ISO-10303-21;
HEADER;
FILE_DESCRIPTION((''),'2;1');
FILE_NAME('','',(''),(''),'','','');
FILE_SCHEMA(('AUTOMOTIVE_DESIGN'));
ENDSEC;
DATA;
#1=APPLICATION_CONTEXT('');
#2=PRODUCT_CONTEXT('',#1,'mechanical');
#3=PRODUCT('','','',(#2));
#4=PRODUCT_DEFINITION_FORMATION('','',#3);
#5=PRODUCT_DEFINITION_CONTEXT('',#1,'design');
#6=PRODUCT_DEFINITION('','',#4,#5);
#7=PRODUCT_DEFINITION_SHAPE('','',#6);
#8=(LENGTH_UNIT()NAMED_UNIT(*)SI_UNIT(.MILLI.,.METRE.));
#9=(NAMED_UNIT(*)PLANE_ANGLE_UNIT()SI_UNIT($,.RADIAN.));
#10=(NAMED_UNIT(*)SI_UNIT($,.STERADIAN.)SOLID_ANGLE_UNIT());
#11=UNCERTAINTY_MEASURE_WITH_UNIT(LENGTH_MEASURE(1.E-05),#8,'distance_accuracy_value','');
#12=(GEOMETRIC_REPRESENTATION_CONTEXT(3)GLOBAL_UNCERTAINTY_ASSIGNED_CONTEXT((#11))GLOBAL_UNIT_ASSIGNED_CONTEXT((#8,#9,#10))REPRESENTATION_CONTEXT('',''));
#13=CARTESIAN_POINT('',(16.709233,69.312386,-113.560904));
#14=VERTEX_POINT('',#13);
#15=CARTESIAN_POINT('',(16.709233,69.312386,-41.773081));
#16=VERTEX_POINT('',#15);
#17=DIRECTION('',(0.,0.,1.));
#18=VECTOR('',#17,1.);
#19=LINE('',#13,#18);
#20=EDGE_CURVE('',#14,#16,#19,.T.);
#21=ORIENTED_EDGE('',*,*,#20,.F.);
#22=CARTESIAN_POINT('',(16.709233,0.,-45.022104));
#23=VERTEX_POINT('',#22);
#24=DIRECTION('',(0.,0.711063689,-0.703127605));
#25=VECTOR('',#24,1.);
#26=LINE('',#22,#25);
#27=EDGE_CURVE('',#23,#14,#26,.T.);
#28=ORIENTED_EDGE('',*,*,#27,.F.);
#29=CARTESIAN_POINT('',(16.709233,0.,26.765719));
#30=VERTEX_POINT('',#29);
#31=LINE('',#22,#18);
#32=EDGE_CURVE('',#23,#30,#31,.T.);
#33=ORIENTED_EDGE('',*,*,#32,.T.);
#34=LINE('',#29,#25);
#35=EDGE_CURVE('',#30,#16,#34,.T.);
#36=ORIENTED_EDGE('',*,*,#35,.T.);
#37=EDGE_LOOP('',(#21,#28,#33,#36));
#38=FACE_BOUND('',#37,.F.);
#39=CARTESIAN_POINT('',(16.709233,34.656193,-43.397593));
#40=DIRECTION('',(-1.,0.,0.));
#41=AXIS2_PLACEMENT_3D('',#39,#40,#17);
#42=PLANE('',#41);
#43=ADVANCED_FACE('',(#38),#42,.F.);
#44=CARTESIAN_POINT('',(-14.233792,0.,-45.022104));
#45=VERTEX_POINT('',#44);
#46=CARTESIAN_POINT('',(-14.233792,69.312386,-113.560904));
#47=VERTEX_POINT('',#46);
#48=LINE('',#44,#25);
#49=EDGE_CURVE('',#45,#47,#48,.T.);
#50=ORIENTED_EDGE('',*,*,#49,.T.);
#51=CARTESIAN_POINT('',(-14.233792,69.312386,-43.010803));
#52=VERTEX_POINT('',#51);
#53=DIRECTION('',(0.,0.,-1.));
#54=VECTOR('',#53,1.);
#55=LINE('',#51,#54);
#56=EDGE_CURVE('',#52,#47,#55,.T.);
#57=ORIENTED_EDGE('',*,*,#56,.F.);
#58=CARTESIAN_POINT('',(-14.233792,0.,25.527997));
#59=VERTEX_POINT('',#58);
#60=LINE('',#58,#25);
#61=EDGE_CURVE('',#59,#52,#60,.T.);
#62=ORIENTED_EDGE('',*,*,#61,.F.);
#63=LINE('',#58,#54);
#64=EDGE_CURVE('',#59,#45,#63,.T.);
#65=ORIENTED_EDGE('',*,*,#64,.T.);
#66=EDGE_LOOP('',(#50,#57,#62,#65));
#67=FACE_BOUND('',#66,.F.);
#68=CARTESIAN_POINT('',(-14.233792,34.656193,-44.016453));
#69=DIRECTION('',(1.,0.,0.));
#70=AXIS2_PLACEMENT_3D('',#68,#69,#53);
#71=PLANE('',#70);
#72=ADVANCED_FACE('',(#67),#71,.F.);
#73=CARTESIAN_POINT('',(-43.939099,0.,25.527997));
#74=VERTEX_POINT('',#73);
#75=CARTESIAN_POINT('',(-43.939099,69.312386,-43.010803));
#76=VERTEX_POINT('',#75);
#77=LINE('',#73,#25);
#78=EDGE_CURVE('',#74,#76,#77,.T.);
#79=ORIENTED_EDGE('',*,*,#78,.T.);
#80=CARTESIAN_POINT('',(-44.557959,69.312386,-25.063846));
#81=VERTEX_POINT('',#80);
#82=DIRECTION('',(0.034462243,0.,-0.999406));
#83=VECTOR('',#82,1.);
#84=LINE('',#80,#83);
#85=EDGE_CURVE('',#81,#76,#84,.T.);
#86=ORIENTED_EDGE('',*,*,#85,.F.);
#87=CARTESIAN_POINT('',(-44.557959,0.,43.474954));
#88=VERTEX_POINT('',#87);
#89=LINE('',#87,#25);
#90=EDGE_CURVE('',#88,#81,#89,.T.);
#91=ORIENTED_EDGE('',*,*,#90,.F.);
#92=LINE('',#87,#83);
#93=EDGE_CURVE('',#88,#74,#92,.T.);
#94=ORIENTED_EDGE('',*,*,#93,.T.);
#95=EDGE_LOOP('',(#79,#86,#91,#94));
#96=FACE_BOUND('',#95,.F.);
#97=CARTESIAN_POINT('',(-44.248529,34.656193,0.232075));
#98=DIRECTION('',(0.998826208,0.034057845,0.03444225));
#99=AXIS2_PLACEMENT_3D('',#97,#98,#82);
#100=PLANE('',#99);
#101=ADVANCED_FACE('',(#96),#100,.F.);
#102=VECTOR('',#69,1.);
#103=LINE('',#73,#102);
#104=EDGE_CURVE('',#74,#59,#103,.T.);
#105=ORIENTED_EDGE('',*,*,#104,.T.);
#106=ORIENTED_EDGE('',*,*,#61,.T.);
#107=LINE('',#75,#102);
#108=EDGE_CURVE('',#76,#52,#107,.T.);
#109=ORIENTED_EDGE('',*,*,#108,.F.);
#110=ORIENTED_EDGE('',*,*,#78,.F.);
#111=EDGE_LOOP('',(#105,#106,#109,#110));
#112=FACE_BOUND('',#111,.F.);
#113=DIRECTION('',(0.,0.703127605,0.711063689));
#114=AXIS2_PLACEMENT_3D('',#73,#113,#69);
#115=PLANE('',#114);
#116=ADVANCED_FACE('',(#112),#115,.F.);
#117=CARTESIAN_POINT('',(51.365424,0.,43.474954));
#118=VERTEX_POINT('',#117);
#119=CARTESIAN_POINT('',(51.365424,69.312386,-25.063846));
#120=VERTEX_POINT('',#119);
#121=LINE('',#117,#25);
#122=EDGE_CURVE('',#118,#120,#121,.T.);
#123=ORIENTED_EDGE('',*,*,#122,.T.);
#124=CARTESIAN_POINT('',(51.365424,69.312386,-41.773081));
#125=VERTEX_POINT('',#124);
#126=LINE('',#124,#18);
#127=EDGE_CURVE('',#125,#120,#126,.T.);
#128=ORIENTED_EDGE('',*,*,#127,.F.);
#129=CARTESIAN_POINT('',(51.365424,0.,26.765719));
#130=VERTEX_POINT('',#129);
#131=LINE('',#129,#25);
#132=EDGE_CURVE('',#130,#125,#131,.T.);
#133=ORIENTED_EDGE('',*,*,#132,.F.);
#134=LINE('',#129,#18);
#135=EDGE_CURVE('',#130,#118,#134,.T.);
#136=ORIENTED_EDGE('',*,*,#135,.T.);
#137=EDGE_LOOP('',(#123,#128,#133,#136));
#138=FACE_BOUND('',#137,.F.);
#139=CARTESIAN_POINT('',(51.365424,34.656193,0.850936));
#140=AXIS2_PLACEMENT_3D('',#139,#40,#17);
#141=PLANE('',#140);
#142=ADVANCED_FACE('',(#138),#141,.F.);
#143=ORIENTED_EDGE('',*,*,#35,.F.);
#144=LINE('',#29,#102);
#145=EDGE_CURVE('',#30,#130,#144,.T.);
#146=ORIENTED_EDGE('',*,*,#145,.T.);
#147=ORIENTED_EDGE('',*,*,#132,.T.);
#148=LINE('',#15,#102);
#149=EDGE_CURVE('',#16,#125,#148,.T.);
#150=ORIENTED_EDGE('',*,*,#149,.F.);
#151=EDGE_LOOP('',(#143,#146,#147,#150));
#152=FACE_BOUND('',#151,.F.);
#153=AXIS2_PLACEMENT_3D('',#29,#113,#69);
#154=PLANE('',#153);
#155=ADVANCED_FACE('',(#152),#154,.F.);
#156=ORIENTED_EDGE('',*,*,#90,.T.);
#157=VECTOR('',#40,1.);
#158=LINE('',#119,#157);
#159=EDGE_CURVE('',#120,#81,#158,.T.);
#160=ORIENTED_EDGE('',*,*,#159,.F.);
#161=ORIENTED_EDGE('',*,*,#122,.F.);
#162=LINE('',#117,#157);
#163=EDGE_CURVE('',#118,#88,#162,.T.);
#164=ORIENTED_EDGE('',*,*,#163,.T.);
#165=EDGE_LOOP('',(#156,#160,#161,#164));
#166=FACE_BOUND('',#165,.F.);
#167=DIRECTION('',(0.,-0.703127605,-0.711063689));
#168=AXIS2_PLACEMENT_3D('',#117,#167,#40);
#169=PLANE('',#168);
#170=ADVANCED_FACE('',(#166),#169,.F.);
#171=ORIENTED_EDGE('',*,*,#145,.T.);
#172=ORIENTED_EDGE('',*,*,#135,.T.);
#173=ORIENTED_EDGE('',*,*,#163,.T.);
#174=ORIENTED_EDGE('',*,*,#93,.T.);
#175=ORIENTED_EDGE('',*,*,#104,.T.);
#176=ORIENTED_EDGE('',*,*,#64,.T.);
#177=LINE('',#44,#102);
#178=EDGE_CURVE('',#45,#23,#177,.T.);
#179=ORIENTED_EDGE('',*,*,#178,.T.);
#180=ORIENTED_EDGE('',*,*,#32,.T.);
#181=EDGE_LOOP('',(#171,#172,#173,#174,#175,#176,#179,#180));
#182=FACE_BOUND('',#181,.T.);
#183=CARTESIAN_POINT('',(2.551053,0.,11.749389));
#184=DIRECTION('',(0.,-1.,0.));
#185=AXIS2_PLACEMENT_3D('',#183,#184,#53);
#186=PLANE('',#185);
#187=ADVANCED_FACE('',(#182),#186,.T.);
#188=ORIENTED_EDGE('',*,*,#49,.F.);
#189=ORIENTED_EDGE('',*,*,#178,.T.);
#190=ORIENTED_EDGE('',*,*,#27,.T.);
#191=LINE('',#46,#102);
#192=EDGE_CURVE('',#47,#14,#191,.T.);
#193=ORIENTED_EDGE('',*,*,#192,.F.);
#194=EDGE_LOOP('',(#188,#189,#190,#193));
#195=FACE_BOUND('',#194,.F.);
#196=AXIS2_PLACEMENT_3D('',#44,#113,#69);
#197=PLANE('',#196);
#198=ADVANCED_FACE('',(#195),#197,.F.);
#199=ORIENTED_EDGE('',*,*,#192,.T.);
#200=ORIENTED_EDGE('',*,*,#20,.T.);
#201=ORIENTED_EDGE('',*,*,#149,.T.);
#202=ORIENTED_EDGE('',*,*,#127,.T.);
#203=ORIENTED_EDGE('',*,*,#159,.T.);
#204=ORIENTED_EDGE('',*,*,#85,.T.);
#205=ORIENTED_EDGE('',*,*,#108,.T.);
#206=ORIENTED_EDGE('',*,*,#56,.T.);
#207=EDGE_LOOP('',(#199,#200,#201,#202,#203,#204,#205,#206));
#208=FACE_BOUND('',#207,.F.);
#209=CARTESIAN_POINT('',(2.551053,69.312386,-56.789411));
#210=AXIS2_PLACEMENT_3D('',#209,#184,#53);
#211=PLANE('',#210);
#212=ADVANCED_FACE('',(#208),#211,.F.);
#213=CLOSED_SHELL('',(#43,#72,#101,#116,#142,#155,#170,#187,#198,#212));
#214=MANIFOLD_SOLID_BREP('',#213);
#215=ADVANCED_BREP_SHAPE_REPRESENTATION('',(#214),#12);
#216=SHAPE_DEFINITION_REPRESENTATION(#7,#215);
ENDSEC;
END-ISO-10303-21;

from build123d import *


with BuildPart() as f2:
    # F2: sweep along a path in F1
    with BuildLine(Plane.YZ) as f2_path:
        Line((0, 0), (69.312386, -68.5388))
    # F0 (on Front) → F2 (sweep)
    with BuildSketch(Plane.XZ):
        Polygon((51.365424, 43.474954), (-44.557959, 43.474954), (-43.939099, 25.527997), (-14.233792, 25.527997), (-14.233792, -45.022104), (16.709233, -45.022104), (16.709233, 26.765719), (51.365424, 26.765719), align=None)
    sweep(path=f2_path.line)


solid = f2.part
